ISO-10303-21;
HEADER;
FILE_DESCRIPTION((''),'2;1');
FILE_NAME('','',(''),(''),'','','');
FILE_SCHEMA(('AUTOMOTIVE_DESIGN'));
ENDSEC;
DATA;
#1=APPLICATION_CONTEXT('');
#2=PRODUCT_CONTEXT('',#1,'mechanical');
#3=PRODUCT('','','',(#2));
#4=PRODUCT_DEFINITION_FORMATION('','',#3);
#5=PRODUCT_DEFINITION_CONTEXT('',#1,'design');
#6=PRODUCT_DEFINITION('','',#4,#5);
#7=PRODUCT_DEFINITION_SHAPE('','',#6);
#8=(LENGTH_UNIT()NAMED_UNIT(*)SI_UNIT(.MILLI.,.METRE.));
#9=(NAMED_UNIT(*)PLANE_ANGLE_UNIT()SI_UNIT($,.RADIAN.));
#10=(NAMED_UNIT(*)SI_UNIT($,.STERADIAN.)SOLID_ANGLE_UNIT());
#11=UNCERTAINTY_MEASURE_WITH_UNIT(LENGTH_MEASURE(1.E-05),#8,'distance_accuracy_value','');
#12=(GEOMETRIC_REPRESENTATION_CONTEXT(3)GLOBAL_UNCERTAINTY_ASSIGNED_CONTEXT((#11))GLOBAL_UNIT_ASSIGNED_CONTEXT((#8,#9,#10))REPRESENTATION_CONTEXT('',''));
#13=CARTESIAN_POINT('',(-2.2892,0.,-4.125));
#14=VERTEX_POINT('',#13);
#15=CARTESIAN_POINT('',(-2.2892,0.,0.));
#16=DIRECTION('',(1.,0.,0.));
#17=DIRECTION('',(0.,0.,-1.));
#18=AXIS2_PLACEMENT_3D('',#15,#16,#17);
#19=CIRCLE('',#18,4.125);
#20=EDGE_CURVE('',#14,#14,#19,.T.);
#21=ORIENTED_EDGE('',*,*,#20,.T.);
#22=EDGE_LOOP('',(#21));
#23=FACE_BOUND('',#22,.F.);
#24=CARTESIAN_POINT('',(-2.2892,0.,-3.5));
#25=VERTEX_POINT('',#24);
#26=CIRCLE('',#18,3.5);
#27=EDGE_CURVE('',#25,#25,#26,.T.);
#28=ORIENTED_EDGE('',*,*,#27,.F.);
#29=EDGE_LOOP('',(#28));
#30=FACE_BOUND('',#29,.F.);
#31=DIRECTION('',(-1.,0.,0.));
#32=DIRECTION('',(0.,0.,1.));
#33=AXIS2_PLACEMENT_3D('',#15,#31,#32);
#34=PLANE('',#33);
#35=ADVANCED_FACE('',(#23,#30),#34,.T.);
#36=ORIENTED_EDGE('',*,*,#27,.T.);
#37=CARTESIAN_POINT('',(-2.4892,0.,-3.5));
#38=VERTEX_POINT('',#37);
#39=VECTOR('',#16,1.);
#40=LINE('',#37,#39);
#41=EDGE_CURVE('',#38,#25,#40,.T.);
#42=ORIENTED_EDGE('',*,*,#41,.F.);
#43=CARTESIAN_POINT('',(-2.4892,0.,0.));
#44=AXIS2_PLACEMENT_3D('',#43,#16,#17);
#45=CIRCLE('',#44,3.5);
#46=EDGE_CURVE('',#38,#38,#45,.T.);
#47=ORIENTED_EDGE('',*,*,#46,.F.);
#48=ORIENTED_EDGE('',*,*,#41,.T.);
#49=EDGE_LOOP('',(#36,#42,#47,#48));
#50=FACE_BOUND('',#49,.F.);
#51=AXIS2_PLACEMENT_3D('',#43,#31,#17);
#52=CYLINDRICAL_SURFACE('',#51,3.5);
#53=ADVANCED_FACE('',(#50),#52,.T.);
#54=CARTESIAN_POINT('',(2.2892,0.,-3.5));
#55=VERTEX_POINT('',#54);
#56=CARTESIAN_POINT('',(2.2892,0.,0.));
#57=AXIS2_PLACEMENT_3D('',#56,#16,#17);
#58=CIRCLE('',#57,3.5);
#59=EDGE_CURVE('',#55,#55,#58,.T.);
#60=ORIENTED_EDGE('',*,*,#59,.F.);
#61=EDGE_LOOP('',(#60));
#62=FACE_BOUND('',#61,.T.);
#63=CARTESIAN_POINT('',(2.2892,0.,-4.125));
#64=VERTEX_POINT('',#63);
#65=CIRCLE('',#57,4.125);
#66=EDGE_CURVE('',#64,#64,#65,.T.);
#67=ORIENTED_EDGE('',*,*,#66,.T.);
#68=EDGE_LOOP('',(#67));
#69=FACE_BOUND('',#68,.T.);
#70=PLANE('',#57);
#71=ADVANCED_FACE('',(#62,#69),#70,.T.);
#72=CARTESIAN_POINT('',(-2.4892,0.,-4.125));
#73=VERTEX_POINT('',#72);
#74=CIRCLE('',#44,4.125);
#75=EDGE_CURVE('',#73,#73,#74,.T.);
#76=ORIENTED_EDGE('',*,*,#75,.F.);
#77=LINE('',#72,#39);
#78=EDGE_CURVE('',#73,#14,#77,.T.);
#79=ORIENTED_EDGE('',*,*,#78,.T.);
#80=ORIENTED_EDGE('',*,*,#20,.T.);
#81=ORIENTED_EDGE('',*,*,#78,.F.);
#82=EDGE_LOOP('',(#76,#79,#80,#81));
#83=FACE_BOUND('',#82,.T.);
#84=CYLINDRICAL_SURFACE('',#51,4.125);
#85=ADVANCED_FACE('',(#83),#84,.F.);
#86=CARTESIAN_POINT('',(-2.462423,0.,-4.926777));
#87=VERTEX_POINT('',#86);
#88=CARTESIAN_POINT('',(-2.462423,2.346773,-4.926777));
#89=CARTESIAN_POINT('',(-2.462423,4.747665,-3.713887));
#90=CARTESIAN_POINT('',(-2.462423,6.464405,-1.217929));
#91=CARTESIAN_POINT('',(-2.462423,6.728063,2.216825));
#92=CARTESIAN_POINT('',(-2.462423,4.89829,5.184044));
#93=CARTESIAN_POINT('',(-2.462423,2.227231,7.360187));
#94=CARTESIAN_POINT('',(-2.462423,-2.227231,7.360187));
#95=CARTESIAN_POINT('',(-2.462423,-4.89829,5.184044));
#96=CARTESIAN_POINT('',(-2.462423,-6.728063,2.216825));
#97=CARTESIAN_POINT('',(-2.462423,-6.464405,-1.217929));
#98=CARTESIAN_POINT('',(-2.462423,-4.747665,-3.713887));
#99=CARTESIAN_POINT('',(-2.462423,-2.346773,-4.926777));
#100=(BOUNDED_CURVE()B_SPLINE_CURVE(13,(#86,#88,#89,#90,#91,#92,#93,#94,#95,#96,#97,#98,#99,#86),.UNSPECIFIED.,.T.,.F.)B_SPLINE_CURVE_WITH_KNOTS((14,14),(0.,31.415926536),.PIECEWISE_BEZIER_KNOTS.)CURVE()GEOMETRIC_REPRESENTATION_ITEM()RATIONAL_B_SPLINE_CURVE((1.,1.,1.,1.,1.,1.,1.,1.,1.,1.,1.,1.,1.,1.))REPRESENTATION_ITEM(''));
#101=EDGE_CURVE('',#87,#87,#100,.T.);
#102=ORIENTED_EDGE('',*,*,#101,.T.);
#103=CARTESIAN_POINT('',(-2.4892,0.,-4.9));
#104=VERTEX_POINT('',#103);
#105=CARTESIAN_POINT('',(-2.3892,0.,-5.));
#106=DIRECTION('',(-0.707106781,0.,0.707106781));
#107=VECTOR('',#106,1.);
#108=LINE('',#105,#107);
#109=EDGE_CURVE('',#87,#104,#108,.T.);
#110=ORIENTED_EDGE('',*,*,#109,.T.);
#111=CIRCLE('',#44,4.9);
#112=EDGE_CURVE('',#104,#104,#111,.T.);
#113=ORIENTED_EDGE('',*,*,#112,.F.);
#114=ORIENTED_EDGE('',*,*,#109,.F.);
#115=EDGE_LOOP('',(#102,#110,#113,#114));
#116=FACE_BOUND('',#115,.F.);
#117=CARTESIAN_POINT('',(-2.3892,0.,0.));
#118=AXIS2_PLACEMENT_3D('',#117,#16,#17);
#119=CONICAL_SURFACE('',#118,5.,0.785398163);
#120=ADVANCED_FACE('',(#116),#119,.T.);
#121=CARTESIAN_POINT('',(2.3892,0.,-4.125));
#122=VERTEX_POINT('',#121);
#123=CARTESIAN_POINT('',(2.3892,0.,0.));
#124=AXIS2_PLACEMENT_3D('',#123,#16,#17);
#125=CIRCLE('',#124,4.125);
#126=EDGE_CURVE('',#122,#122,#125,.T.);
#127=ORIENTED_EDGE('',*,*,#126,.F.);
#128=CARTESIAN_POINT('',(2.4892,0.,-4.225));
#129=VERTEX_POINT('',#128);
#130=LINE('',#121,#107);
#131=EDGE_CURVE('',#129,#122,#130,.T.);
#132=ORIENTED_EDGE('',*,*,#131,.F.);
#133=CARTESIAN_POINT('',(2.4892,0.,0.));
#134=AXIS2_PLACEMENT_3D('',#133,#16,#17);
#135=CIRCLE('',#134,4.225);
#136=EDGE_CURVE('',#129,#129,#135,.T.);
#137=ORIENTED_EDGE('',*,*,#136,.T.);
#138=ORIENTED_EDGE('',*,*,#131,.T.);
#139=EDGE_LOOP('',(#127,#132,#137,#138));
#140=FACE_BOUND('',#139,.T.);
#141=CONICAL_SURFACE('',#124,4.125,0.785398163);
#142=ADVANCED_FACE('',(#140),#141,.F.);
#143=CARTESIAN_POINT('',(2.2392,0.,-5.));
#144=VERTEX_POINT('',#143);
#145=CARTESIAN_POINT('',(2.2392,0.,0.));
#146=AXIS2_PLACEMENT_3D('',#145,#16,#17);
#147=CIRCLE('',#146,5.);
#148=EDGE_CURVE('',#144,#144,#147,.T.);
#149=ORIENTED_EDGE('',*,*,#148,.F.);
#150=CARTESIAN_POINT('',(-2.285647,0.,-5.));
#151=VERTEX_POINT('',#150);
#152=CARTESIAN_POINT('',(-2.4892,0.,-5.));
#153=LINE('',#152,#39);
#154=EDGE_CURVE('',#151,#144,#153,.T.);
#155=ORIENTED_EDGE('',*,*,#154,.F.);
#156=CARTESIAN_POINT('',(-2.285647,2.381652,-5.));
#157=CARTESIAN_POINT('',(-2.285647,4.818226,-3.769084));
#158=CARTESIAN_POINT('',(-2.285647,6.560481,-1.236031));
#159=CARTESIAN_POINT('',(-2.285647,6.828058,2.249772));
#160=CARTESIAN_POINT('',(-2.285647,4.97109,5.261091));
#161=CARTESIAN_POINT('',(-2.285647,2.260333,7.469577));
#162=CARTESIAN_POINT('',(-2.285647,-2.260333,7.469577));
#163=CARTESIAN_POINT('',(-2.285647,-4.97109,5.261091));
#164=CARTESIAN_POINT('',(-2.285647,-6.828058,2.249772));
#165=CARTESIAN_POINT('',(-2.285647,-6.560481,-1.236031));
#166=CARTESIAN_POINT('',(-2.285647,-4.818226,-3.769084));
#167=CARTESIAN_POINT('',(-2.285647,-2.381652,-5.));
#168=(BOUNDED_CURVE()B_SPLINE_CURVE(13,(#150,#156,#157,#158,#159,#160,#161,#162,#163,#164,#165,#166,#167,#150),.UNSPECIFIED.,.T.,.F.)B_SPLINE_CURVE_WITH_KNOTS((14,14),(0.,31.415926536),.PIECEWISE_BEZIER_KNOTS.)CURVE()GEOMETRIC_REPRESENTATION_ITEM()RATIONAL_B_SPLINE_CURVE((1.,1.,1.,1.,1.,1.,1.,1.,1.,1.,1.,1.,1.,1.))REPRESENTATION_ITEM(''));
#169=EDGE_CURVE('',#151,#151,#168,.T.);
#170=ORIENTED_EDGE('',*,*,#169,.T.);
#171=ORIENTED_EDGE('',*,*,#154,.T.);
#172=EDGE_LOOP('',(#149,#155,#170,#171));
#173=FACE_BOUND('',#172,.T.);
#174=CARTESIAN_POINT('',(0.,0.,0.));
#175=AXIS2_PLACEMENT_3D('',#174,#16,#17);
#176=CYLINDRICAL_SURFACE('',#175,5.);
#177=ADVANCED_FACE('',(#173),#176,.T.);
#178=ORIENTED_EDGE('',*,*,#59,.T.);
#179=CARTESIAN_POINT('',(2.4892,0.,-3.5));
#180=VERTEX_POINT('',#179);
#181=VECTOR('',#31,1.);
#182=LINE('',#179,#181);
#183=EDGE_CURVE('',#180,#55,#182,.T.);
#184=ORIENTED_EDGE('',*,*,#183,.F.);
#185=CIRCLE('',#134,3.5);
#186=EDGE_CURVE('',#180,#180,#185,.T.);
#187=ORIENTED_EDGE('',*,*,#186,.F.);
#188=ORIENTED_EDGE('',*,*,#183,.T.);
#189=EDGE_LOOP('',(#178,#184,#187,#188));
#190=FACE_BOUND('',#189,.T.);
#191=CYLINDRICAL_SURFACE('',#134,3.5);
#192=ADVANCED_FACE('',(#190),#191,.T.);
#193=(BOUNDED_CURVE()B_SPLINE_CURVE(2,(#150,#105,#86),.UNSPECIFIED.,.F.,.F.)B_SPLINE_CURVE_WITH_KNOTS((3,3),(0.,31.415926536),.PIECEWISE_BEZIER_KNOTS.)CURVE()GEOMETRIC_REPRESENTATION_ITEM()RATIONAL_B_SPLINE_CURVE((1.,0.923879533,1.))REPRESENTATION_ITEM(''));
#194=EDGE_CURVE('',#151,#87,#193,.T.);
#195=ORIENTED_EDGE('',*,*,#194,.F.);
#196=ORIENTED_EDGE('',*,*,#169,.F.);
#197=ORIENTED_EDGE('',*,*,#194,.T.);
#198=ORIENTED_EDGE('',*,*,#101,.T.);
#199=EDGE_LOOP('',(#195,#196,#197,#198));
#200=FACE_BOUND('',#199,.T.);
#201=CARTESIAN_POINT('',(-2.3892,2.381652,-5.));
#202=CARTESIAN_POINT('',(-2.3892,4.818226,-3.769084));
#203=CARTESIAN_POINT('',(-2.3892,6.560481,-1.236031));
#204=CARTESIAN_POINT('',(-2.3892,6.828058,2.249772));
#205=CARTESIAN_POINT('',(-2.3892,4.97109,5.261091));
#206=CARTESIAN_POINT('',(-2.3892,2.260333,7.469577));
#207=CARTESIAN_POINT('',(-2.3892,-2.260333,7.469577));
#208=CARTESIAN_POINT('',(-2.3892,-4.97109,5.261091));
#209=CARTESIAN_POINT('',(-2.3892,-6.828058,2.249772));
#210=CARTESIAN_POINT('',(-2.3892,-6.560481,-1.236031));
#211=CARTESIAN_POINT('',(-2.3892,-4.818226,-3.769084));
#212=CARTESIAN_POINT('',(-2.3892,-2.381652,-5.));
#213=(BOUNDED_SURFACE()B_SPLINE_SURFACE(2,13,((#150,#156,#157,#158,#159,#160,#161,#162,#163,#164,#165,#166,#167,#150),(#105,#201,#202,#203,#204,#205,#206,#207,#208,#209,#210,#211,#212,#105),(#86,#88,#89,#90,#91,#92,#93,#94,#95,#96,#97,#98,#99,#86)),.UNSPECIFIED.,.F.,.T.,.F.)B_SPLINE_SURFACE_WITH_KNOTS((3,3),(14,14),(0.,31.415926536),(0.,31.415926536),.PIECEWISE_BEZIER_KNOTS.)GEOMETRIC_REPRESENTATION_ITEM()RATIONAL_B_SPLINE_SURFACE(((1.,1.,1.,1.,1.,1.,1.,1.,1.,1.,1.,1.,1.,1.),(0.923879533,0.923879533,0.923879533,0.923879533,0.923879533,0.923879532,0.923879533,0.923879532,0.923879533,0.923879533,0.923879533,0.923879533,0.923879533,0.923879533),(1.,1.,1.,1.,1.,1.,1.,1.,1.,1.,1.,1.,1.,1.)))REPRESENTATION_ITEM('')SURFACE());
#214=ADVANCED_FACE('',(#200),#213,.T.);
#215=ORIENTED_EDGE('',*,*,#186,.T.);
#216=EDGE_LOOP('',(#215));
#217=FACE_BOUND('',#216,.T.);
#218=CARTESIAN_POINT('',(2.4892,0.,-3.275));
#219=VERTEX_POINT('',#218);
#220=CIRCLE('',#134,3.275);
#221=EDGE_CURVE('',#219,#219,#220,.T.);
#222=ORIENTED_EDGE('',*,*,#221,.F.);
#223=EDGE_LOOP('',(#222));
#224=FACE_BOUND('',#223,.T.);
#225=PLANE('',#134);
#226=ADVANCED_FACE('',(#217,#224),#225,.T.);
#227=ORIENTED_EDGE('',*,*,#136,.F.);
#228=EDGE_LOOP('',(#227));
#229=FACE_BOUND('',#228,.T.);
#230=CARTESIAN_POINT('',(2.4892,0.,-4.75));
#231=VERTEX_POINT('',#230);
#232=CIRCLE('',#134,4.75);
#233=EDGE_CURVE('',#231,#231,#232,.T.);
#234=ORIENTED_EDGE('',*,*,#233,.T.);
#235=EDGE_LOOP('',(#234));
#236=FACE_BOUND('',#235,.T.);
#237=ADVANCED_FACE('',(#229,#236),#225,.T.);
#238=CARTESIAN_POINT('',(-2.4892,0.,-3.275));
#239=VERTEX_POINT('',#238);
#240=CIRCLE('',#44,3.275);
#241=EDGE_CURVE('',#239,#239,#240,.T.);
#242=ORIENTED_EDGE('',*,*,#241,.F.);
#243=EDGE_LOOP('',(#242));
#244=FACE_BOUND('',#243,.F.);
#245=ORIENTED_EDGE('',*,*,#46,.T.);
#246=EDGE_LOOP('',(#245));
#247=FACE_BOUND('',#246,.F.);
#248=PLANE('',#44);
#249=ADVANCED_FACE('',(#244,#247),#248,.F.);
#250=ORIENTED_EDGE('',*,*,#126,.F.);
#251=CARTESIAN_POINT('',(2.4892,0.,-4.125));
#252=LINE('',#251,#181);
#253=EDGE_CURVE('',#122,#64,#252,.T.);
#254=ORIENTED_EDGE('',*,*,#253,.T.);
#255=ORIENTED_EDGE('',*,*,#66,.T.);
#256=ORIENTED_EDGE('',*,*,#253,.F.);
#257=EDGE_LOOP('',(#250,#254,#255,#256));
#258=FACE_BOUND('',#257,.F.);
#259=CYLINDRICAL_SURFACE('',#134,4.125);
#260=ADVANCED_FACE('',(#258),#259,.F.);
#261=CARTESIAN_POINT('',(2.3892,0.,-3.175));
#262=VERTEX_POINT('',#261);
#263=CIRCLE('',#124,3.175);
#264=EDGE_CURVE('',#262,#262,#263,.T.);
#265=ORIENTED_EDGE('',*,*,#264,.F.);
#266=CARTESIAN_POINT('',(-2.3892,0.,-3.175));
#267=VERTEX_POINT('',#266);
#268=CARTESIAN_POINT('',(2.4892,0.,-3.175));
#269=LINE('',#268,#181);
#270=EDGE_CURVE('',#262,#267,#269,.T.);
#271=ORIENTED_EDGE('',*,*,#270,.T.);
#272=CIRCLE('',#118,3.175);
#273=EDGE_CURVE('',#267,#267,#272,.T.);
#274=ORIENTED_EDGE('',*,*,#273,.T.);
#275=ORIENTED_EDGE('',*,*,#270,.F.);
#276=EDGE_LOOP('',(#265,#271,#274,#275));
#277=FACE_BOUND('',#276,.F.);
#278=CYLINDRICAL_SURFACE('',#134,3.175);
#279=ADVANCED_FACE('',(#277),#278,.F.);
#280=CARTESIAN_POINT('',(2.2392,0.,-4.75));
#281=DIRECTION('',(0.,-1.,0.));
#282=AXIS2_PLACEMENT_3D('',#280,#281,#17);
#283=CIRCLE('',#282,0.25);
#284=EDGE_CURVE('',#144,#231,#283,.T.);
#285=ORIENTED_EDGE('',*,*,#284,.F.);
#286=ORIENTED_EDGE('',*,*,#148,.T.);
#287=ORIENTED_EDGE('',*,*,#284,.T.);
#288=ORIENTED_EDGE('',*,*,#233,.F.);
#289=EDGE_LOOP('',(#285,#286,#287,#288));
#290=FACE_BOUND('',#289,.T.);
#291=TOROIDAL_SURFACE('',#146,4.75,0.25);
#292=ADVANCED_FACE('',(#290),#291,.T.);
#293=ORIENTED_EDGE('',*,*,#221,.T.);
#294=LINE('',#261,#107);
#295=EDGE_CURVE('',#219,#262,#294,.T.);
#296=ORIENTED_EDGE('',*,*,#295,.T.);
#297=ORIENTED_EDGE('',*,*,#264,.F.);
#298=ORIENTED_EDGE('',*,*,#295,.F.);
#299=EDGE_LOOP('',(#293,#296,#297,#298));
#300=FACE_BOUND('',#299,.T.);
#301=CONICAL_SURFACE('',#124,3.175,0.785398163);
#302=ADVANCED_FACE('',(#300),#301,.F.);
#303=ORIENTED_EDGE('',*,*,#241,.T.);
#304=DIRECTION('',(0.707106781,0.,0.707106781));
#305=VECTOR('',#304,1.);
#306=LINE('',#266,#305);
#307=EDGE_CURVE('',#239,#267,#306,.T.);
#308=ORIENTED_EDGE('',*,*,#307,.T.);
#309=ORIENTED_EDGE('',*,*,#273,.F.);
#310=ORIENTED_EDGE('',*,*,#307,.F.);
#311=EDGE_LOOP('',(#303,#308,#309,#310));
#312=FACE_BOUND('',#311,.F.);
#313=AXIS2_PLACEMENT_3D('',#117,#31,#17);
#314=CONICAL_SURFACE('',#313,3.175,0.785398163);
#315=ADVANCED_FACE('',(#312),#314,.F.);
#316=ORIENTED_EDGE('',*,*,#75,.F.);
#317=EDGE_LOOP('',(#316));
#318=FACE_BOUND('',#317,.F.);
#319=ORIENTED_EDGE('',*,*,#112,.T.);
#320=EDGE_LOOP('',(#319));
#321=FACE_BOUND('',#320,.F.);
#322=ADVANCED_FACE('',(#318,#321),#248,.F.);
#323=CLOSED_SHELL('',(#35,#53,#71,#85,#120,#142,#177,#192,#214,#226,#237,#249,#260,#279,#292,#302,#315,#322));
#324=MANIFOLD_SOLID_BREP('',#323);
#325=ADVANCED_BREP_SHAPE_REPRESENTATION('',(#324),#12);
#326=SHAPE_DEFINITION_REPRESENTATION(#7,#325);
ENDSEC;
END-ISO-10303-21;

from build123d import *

# Parameters (mm, degrees)
SKETCH2_R           = 5
BOSS_EXTRUDE1_DEPTH = 2.4892
SKETCH3_R           = 3.175
CUT_EXTRUDE1_DEPTH  = 5.9784
SKETCH4_R           = 4.125
SKETCH4_R_2         = 3.5
CUT_EXTRUDE2_DEPTH  = 0.2
CHAMFER1_SIZE       = 0.1
FILLET1_R           = 0.25


with BuildPart() as part:
    # Sketch2 → Boss-Extrude1 (new body, symmetric)
    with BuildSketch(Plane(origin=(0, 0, 0), x_dir=(0, 0, -1), z_dir=(1, 0, 0))):
        Circle(SKETCH2_R)
    extrude(amount=BOSS_EXTRUDE1_DEPTH, both=True)

    # Sketch3 → Cut-Extrude1 (cut, through all)
    with BuildSketch(Plane(origin=(2.4892, 0, 0), x_dir=(0, 0, -1), z_dir=(1, 0, 0))):
        Circle(SKETCH3_R)
    extrude(amount=-CUT_EXTRUDE1_DEPTH, mode=Mode.SUBTRACT)

    # Sketch4 → Cut-Extrude2 (cut)
    with BuildSketch(Plane(origin=(2.4892, 0, 0), x_dir=(0, 0, -1), z_dir=(1, 0, 0))):
        Circle(SKETCH4_R)
        Circle(SKETCH4_R_2, mode=Mode.SUBTRACT)
    cut_extrude2 = extrude(amount=-CUT_EXTRUDE2_DEPTH, mode=Mode.SUBTRACT)

    # Mirror1: Cut-Extrude2 across plane
    add(cut_extrude2.mirror(Plane(origin=(0, 0, 0), x_dir=(0, 0, 1), z_dir=(1, 0, 0))), mode=Mode.SUBTRACT)

    # Chamfer1
    chamfer1_edges = [part.edges().sort_by_distance(p)[0] for p in [
        (2.4892, 0, 4.125),
        (-2.4892, 0, 5),
        (-2.4892, 0, 3.175),
        (2.4892, 0, 3.175),
    ]]
    chamfer(chamfer1_edges, length=CHAMFER1_SIZE)

    # Fillet1
    fillet1_edges = [part.edges().sort_by_distance(p)[0] for p in [
        (-2.3892, 0, 5),
        (2.4892, 0, 5),
    ]]
    fillet(fillet1_edges, radius=FILLET1_R)


solid = part.part
